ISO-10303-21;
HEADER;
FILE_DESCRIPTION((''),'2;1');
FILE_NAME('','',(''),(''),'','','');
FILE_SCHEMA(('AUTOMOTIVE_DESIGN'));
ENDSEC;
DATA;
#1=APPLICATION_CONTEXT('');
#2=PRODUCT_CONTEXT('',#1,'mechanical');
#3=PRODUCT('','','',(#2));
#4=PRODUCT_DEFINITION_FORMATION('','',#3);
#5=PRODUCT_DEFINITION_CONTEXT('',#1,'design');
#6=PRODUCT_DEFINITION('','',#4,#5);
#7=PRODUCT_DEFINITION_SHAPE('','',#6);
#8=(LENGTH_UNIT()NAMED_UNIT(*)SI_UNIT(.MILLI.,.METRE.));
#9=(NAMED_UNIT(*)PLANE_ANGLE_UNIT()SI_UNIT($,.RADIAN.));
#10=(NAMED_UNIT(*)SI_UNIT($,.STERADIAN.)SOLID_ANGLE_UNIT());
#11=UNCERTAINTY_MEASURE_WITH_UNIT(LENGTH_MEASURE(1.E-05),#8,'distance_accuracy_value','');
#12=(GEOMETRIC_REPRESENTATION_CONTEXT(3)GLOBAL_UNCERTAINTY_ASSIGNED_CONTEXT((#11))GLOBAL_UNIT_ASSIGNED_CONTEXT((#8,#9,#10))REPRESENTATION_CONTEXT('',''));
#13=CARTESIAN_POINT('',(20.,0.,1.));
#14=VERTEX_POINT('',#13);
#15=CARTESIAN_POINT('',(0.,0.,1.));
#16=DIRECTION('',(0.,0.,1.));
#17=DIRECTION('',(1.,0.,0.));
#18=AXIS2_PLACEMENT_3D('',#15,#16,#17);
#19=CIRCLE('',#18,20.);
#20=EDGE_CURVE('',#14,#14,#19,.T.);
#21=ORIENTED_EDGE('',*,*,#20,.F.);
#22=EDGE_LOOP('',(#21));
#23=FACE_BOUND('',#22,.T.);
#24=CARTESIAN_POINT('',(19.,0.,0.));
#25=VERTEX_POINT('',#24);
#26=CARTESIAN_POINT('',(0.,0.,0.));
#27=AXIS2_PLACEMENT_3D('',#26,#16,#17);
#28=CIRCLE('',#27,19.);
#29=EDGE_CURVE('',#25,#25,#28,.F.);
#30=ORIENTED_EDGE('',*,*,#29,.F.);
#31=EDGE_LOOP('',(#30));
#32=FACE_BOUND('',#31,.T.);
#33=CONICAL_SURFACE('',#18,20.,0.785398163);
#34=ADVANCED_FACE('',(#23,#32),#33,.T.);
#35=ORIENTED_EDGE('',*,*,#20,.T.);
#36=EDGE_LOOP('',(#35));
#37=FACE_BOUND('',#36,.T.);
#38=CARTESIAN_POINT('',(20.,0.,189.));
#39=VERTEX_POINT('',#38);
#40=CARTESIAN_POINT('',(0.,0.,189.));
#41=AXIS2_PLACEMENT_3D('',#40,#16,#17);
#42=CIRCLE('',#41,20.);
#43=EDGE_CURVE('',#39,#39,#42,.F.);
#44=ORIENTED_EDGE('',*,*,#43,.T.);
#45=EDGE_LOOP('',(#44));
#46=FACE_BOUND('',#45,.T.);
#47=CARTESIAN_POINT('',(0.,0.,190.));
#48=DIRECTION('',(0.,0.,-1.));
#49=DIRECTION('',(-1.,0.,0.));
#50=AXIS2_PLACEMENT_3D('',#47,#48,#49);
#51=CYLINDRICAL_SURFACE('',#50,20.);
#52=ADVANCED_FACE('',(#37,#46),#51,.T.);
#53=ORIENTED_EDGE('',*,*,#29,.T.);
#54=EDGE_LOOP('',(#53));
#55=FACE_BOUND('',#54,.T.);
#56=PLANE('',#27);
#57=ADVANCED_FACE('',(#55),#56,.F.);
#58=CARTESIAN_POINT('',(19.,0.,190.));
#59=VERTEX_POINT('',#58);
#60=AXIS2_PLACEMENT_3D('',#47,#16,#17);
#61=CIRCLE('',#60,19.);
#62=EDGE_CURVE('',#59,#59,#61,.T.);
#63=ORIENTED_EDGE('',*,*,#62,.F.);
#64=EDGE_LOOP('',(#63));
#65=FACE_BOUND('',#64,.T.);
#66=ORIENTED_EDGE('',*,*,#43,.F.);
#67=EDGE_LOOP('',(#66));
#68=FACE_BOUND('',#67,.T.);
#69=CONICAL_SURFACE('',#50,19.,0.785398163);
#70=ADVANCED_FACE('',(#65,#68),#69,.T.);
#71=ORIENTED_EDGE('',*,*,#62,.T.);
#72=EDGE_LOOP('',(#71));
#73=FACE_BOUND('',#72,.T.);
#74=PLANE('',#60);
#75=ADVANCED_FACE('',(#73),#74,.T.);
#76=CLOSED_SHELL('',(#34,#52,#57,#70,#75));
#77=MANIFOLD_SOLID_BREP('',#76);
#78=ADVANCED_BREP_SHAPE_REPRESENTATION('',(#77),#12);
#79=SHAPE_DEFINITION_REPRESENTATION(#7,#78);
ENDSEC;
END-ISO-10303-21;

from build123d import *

# Parameters (mm, degrees)
SKETCH1_R           = 20
BOSS_EXTRUDE1_DEPTH = 190
CHAMFER1_SIZE       = 1


with BuildPart() as part:
    # Sketch1 → Boss-Extrude1 (new body)
    with BuildSketch(Plane.XY):
        Circle(SKETCH1_R)
    extrude(amount=BOSS_EXTRUDE1_DEPTH)

    # Chamfer1
    chamfer1_edges = [part.edges().sort_by_distance(p)[0] for p in [
        (-20, 0, 0),
        (-20, 0, 190),
    ]]
    chamfer(chamfer1_edges, length=CHAMFER1_SIZE)


solid = part.part
